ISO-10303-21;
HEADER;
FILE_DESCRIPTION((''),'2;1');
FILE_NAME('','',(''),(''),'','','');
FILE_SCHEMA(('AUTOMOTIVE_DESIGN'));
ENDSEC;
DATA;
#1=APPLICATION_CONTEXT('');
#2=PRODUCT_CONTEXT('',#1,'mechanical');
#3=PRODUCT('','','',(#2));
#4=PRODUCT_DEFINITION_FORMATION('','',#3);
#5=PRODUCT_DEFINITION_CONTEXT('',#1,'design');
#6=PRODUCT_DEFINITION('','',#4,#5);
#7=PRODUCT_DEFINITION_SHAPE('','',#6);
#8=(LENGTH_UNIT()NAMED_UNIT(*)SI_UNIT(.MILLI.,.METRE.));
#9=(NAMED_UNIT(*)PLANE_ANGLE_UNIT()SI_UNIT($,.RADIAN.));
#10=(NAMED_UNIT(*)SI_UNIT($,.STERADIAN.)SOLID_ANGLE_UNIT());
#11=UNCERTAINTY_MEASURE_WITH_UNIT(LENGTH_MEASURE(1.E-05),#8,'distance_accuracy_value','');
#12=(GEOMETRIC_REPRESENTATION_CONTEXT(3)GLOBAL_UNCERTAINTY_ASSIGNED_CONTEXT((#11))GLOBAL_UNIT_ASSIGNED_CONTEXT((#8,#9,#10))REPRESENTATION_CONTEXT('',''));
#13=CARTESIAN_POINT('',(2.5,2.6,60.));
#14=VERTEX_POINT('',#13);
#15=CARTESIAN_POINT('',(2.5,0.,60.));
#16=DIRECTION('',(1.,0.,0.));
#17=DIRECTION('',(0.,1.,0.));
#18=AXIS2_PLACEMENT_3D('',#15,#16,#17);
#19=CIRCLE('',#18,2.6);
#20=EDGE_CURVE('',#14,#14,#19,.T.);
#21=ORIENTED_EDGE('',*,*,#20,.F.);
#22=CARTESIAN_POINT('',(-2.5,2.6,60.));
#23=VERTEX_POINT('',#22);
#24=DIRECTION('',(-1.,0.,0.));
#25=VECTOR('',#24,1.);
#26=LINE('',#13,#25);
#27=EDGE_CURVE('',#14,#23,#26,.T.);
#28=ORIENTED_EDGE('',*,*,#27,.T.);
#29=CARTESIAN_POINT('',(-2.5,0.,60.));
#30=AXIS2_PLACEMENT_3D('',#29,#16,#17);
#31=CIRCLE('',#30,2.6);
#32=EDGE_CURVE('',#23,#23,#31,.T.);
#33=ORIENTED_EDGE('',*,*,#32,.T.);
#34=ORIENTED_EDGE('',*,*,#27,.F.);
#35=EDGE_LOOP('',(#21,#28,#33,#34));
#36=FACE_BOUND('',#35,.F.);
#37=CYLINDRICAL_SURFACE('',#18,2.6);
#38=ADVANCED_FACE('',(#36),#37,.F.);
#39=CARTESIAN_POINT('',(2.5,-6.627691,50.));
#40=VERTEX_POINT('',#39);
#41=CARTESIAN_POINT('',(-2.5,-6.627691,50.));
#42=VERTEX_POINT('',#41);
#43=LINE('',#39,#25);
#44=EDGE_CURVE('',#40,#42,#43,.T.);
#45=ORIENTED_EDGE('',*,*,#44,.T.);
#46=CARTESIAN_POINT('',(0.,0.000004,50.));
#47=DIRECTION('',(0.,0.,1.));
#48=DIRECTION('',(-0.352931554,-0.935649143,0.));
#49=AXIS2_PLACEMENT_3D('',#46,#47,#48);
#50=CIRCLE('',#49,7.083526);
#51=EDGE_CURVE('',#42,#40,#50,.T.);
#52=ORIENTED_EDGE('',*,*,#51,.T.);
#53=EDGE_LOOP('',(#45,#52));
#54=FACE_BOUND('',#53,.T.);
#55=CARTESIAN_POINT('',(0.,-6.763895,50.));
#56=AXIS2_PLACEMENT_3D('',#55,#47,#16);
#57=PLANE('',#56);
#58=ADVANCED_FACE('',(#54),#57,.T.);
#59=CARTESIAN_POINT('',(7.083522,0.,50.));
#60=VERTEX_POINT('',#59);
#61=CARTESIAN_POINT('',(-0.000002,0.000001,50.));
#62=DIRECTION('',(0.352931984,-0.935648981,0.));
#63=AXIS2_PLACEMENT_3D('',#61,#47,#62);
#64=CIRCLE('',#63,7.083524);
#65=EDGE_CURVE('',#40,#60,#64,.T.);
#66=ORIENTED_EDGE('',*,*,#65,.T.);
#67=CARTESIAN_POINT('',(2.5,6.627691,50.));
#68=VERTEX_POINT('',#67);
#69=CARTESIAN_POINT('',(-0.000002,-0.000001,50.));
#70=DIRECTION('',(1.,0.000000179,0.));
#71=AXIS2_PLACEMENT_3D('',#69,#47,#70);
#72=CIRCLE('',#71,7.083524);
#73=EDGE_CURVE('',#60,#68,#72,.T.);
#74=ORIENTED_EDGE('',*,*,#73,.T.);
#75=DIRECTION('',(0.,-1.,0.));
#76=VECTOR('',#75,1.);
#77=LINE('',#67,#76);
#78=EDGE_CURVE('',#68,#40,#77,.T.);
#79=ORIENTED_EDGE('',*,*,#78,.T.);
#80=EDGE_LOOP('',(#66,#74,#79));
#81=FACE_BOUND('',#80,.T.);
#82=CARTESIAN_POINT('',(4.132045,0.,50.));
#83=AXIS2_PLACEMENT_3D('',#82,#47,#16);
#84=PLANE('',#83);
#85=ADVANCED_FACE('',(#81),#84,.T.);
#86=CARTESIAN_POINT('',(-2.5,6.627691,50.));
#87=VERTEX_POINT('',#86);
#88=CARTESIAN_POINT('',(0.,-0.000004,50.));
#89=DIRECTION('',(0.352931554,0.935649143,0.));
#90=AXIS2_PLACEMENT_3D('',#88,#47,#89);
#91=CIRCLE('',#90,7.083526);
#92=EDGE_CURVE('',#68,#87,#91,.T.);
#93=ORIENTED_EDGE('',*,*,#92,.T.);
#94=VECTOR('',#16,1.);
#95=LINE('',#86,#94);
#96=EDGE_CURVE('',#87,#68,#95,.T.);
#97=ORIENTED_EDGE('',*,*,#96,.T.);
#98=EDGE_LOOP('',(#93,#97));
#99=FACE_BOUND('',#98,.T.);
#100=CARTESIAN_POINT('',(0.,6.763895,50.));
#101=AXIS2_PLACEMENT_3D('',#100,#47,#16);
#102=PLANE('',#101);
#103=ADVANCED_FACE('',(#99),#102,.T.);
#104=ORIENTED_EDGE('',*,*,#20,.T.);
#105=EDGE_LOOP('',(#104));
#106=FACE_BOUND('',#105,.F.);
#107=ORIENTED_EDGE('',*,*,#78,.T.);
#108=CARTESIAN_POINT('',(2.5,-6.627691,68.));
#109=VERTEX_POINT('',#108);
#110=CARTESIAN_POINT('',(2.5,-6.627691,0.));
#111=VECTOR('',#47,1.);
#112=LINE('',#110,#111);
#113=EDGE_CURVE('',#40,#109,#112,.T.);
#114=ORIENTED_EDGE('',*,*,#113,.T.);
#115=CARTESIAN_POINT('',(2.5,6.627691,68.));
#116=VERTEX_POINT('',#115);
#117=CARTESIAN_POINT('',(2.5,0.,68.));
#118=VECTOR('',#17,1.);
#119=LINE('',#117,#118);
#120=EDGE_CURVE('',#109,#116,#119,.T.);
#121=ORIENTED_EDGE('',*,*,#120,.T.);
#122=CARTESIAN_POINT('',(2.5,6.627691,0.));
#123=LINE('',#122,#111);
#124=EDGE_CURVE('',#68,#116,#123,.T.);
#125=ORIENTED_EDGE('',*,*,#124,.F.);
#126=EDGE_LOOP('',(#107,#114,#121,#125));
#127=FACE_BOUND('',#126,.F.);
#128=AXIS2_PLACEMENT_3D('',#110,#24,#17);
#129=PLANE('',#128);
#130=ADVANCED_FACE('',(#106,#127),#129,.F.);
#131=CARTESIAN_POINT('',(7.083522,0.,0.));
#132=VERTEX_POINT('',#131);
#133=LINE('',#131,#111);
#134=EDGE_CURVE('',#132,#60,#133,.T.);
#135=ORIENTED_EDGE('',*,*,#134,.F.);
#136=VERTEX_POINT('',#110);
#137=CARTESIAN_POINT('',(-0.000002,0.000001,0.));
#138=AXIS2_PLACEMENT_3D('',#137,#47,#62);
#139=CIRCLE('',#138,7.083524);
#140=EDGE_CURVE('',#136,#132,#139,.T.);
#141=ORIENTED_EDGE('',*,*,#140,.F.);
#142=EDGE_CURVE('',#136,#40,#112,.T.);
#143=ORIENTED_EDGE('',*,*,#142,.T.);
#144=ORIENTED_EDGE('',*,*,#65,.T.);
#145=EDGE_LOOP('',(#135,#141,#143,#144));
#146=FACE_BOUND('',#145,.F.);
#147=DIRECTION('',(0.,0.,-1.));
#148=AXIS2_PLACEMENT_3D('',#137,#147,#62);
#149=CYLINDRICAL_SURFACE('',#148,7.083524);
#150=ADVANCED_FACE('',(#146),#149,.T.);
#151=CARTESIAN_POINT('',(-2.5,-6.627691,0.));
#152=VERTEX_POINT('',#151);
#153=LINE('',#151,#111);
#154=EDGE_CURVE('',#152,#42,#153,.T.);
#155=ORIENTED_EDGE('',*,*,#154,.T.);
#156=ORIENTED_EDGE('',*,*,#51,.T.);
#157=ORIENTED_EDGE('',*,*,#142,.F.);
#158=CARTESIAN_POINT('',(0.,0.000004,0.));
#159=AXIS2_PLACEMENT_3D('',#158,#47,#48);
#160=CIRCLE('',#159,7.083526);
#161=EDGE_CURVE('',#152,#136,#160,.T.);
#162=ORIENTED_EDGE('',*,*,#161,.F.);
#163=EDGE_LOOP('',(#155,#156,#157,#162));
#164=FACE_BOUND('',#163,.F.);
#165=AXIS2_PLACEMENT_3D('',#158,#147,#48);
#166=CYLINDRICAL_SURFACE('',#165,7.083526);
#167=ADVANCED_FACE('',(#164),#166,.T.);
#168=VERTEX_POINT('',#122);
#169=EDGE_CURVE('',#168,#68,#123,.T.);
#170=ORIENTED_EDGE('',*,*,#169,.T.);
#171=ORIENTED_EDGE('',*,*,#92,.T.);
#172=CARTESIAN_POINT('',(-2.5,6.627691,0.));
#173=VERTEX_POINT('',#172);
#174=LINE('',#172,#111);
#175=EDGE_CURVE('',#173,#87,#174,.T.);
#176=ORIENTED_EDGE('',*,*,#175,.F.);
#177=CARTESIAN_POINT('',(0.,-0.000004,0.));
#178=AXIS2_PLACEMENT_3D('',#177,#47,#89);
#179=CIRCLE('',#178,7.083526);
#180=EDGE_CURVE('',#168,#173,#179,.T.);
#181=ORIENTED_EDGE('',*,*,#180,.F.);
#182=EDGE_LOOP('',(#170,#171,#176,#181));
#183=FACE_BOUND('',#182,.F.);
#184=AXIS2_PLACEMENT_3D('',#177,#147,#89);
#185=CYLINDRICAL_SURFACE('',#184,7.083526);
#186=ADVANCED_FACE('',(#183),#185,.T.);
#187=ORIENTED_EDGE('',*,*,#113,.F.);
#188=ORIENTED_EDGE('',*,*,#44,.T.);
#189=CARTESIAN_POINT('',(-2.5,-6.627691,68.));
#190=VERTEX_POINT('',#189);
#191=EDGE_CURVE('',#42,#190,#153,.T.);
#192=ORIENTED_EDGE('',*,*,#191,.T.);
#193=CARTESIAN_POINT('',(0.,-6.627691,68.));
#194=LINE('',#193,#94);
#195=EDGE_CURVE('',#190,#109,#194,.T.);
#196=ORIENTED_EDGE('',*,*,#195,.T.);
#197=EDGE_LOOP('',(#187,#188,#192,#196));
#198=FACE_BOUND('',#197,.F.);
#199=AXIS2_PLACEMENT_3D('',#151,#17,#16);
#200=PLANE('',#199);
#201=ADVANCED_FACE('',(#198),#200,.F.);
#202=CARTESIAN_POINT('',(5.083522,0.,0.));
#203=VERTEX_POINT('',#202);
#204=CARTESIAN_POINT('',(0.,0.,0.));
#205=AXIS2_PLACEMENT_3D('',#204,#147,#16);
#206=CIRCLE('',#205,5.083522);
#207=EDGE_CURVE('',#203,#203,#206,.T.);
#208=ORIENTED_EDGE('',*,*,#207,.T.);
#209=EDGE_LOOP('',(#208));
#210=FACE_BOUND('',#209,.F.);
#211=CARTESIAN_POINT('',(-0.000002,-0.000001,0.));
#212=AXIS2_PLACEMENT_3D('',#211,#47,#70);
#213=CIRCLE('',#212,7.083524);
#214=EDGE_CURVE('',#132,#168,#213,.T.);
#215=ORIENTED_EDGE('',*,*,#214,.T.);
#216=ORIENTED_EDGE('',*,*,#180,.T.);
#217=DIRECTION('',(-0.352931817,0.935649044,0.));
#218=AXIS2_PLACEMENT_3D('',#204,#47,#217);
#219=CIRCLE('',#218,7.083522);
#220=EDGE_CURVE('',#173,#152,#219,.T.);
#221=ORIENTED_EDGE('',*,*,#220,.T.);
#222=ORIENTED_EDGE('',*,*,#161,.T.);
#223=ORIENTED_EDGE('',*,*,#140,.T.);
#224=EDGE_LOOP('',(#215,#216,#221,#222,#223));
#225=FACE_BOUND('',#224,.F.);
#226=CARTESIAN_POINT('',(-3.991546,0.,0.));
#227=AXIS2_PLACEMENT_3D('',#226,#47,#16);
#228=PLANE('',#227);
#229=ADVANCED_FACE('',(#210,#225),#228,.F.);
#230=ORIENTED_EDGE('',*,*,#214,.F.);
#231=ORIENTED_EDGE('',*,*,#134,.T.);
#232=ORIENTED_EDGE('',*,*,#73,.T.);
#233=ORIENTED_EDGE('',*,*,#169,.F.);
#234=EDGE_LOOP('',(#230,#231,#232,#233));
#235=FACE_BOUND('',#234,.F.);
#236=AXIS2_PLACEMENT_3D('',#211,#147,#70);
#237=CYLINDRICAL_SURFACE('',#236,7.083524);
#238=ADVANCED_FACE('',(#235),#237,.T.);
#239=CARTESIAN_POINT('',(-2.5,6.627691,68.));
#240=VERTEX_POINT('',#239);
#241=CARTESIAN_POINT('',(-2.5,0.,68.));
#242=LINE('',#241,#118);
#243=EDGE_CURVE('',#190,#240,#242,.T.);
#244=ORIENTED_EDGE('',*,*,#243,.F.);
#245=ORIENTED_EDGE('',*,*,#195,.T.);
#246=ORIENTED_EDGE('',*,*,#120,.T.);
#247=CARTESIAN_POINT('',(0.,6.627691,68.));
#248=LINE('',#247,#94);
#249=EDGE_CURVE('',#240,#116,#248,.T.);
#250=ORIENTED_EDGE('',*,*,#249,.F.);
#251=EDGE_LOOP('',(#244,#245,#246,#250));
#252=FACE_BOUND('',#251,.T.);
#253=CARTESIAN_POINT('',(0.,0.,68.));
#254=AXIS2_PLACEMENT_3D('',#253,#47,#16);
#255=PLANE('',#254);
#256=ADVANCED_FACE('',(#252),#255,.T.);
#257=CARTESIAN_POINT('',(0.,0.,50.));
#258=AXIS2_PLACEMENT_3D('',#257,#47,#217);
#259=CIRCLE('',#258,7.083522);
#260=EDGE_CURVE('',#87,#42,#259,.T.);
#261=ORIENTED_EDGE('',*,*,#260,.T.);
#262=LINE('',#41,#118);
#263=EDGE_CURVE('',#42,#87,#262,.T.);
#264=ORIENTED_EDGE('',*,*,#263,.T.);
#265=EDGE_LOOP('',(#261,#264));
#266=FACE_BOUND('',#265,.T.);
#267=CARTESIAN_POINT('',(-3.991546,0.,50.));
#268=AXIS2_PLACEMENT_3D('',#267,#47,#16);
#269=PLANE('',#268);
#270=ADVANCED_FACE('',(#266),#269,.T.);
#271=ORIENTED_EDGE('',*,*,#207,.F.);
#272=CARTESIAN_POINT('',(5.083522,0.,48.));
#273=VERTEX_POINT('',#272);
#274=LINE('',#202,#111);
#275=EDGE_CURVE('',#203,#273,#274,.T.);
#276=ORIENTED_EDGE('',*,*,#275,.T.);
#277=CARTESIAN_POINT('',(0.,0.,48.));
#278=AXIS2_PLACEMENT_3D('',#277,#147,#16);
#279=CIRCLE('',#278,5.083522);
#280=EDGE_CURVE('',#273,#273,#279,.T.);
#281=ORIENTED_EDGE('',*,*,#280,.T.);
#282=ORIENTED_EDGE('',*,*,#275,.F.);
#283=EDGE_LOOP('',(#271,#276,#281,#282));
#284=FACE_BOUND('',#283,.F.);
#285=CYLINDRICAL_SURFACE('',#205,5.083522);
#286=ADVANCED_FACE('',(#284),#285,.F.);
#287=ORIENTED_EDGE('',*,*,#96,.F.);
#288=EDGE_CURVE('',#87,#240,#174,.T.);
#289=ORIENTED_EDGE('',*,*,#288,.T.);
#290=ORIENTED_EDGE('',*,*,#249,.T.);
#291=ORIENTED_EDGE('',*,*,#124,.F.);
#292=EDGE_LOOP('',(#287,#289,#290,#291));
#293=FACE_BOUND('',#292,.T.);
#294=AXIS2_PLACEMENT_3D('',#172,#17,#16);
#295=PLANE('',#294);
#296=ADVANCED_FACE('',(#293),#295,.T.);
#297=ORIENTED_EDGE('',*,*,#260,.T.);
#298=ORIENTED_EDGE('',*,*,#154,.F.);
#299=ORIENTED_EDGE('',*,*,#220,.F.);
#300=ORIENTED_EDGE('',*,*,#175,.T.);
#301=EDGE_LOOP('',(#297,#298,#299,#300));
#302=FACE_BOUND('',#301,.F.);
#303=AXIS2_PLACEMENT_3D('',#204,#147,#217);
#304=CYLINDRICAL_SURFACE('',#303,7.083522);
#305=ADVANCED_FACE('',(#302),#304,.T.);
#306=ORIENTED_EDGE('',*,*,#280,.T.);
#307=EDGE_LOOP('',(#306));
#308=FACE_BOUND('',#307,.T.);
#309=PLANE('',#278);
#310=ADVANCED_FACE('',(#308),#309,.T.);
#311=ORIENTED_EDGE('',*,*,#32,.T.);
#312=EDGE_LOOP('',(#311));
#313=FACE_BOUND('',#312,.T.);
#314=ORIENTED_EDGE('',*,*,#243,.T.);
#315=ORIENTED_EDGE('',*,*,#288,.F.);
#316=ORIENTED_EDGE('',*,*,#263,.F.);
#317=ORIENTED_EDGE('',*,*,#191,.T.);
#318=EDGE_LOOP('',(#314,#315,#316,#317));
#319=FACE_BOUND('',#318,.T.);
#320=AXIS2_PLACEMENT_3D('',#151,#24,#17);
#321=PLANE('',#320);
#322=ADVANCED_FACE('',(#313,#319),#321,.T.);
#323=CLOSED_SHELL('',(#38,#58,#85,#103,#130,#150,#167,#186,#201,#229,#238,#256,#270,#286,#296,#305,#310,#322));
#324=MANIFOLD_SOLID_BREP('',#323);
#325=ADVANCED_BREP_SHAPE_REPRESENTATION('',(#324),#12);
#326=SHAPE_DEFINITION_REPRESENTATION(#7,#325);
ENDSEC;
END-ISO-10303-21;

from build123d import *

# Parameters (mm, degrees)
F1_DEPTH = 50
F0_W     = 5
F0_H     = 13.255382
F2_DEPTH = 68
F3_R     = 2.6
F4_DEPTH = 9.584522
F5_R     = 5.083522
F6_DEPTH = 48


with BuildPart() as f1:
    # F0 (on Top) → F1 (new body)
    with BuildSketch(Plane.XY):
        with BuildLine():
            ThreePointArc((2.5, -6.627691), (5.826023, -4.029111), (7.083522, 0))
            ThreePointArc((7.083522, 0), (5.826023, 4.029111), (2.5, 6.627691))
            Line((2.5, 6.627691), (2.5, -6.627691))
        make_face()
        with BuildLine():
            Line((-2.5, 6.627691), (2.5, 6.627691))
            ThreePointArc((2.5, 6.627691), (0, 7.083522), (-2.5, 6.627691))
        make_face()
        with BuildLine():
            ThreePointArc((-2.5, -6.627691), (0, -7.083522), (2.5, -6.627691))
            Line((2.5, -6.627691), (-2.5, -6.627691))
        make_face()
        with BuildLine():
            Line((-2.5, -6.627691), (-2.5, 6.627691))
            ThreePointArc((-2.5, 6.627691), (-7.083522, 0), (-2.5, -6.627691))
        make_face()
    extrude(amount=F1_DEPTH)

    # F0 (on Top) → F2 (join)
    with BuildSketch(Plane.XY):
        Rectangle(F0_W, F0_H)
    extrude(amount=F2_DEPTH)

    # F3 (on face) → F4 (cut, through all)
    with BuildSketch(Plane.YZ.offset(2.5)):
        with Locations((0, 60)):
            Circle(F3_R)
    extrude(amount=-F4_DEPTH, mode=Mode.SUBTRACT)

    # F5 (on face) → F6 (cut)
    with BuildSketch(Plane(origin=(0, 0, 0), x_dir=(1, 0, 0), z_dir=(0, 0, -1))):
        Circle(F5_R)
    extrude(amount=-F6_DEPTH, mode=Mode.SUBTRACT)


solid = f1.part
